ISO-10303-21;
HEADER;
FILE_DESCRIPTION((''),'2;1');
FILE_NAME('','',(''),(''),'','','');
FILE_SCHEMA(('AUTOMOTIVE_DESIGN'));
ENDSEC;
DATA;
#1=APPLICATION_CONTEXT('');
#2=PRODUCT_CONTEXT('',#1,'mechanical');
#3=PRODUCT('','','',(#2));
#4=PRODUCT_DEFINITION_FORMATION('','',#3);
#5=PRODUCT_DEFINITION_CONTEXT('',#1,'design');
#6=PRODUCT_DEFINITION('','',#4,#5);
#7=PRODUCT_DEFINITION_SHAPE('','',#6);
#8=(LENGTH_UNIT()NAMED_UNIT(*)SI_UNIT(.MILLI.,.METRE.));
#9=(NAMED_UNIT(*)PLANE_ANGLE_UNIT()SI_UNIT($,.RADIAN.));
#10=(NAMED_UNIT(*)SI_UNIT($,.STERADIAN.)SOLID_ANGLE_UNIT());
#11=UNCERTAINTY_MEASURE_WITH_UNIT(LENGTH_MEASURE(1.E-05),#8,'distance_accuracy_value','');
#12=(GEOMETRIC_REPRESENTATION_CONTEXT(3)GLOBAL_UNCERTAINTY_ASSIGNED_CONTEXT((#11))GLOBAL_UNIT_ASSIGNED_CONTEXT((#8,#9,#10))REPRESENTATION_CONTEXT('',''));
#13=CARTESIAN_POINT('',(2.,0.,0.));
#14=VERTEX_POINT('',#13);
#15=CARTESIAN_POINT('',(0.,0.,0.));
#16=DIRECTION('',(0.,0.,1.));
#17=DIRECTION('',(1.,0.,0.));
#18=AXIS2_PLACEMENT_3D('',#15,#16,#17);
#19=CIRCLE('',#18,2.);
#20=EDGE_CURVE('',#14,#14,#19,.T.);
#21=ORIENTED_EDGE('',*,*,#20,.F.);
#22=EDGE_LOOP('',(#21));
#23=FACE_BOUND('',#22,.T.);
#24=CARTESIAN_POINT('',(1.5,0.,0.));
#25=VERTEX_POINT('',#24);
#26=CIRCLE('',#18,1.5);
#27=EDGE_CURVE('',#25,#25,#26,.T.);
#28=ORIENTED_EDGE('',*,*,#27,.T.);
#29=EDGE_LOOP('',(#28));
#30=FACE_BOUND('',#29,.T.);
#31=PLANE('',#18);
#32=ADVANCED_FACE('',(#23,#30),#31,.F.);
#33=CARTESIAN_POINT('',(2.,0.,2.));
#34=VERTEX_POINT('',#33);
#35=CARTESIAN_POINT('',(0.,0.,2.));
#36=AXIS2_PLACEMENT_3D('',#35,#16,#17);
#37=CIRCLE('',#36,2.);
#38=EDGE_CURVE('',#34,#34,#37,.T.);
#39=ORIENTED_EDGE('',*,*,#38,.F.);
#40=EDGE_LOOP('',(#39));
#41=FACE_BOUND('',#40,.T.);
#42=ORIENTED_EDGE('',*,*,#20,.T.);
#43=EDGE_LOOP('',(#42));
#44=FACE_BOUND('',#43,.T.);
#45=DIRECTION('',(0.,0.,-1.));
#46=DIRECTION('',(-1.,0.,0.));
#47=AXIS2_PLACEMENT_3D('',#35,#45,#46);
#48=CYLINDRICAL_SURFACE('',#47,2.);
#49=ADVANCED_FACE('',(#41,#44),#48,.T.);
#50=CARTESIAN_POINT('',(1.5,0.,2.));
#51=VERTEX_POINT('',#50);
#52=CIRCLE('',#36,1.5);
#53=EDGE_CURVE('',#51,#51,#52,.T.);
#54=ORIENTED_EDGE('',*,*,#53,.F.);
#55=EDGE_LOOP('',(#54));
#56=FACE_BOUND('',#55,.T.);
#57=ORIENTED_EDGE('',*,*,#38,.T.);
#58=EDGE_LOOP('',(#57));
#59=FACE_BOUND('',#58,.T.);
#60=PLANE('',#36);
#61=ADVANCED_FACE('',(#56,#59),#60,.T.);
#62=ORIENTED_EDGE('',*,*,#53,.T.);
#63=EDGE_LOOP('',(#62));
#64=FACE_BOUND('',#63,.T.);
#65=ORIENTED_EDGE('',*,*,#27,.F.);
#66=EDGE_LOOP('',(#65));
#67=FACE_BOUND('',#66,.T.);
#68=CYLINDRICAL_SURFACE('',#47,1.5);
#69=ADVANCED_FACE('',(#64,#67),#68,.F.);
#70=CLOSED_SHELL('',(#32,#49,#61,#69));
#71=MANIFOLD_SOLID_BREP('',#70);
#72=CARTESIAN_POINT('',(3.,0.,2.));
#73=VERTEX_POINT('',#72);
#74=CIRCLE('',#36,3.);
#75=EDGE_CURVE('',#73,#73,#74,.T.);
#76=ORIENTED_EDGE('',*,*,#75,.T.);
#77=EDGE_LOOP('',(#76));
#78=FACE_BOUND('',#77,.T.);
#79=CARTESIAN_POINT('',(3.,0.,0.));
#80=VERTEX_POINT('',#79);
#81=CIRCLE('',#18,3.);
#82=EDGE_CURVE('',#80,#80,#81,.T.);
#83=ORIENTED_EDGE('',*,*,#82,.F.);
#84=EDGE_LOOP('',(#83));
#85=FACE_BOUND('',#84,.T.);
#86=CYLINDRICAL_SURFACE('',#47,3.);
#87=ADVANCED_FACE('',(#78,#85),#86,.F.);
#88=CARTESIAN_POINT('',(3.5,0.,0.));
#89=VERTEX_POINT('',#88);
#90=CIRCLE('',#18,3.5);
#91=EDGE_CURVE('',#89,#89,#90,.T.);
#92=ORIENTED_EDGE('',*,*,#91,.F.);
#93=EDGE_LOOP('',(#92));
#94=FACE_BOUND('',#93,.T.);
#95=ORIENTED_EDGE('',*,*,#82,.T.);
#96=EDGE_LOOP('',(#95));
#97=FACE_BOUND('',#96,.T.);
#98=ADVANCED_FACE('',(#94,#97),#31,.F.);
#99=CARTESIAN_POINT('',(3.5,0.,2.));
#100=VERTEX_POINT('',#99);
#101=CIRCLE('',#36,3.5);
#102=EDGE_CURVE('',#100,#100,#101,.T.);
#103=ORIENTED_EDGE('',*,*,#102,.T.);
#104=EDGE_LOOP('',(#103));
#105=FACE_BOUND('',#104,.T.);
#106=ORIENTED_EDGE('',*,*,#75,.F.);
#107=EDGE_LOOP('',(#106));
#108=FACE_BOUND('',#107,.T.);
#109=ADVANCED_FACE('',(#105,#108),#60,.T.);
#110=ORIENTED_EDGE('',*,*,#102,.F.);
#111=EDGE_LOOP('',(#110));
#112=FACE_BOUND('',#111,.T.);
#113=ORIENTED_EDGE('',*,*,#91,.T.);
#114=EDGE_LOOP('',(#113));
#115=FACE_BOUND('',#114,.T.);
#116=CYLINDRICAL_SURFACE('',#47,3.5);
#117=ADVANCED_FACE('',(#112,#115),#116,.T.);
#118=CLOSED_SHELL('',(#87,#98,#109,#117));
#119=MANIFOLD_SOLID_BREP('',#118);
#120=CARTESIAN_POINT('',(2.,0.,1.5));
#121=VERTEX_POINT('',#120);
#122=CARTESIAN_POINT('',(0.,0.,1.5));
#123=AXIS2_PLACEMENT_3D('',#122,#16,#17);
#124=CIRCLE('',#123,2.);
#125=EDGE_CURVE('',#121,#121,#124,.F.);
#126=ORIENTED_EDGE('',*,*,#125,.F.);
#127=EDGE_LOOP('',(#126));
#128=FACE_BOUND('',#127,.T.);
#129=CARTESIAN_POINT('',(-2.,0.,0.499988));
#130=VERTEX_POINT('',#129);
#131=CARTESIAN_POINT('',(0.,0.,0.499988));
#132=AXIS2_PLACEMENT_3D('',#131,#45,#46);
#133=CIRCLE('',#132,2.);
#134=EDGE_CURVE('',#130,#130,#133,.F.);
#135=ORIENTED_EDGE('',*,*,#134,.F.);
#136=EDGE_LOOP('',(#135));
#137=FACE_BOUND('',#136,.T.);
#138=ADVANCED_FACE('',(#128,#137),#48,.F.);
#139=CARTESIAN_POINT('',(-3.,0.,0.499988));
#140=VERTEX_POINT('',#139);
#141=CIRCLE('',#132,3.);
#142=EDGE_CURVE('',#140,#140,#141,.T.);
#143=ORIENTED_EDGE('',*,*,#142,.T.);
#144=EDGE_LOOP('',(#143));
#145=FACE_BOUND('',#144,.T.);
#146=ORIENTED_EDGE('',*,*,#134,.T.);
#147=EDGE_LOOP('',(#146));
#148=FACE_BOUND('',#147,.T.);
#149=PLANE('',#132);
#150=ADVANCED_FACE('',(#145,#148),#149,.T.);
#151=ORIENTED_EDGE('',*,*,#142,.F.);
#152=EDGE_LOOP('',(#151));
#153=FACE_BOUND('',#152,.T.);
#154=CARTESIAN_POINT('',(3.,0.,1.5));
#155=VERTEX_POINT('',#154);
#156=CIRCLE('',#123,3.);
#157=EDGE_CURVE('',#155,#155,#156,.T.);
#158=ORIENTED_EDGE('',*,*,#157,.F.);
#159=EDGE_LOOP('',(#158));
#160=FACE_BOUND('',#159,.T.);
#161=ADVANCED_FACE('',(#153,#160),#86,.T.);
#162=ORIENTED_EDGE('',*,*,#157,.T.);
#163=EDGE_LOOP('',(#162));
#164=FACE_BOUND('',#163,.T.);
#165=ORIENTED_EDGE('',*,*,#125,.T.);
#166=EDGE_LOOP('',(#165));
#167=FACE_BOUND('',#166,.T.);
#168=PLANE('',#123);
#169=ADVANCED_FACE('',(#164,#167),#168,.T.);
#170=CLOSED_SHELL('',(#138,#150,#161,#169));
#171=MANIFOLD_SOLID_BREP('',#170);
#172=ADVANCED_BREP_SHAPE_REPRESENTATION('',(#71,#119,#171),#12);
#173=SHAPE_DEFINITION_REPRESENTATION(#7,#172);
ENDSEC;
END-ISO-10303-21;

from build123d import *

# Parameters (mm, degrees)
SKETCH1_R             = 3.5
SKETCH1_R_2           = 3
BOSS_EXTRUDE1_DEPTH   = 2
SKETCH1_R_3           = 2
SKETCH1_R_4           = 1.5
BOSS_EXTRUDE1_2_DEPTH = 2
BOSS_EXTRUDE2_START   = -1.2e-05
SKETCH1_3_R           = 3
SKETCH1_3_R_2         = 2
BOSS_EXTRUDE2_DEPTH   = 2.000012
SKETCH2_R             = 3
SKETCH2_R_2           = 2
CUT_EXTRUDE3_DEPTH    = 0.5
CUT_EXTRUDE4_START    = -0.5
SKETCH3_R             = 3
SKETCH3_R_2           = 2
CUT_EXTRUDE4_DEPTH    = 0.5


with BuildPart() as part:
    # Sketch1 → Boss-Extrude1 (new body)
    with BuildSketch(Plane.XY):
        Circle(SKETCH1_R)
        Circle(SKETCH1_R_2, mode=Mode.SUBTRACT)
    extrude(amount=BOSS_EXTRUDE1_DEPTH)


with BuildPart() as body_2:
    # Sketch1 → Boss-Extrude1 2 (new body)
    with BuildSketch(Plane.XY):
        Circle(SKETCH1_R_3)
        Circle(SKETCH1_R_4, mode=Mode.SUBTRACT)
    extrude(amount=BOSS_EXTRUDE1_2_DEPTH)


with BuildPart() as body_3:
    # Sketch1<3> → Boss-Extrude2 (new body)
    with BuildSketch(Plane.XY.offset(BOSS_EXTRUDE2_START)):
        Circle(SKETCH1_3_R)
        Circle(SKETCH1_3_R_2, mode=Mode.SUBTRACT)
    extrude(amount=BOSS_EXTRUDE2_DEPTH)

    # Sketch2 → Cut-Extrude3 (cut)
    with BuildSketch(Plane(origin=(0, 0, -1.2e-05), x_dir=(-1, 0, 0), z_dir=(0, 0, -1))):
        Circle(SKETCH2_R)
        Circle(SKETCH2_R_2, mode=Mode.SUBTRACT)
    extrude(amount=-CUT_EXTRUDE3_DEPTH, mode=Mode.SUBTRACT)

    # Sketch3 → Cut-Extrude4 (cut)
    with BuildSketch(Plane.XY.offset(2).offset(CUT_EXTRUDE4_START)):
        with Locations(Location((0, 0, 0), (0, 0, 180))):
            Circle(SKETCH3_R)
        with Locations(Location((0, 0, 0), (0, 0, 180))):
            Circle(SKETCH3_R_2, mode=Mode.SUBTRACT)
    extrude(amount=CUT_EXTRUDE4_DEPTH, mode=Mode.SUBTRACT)


solid = Compound([part.part, body_2.part, body_3.part])
